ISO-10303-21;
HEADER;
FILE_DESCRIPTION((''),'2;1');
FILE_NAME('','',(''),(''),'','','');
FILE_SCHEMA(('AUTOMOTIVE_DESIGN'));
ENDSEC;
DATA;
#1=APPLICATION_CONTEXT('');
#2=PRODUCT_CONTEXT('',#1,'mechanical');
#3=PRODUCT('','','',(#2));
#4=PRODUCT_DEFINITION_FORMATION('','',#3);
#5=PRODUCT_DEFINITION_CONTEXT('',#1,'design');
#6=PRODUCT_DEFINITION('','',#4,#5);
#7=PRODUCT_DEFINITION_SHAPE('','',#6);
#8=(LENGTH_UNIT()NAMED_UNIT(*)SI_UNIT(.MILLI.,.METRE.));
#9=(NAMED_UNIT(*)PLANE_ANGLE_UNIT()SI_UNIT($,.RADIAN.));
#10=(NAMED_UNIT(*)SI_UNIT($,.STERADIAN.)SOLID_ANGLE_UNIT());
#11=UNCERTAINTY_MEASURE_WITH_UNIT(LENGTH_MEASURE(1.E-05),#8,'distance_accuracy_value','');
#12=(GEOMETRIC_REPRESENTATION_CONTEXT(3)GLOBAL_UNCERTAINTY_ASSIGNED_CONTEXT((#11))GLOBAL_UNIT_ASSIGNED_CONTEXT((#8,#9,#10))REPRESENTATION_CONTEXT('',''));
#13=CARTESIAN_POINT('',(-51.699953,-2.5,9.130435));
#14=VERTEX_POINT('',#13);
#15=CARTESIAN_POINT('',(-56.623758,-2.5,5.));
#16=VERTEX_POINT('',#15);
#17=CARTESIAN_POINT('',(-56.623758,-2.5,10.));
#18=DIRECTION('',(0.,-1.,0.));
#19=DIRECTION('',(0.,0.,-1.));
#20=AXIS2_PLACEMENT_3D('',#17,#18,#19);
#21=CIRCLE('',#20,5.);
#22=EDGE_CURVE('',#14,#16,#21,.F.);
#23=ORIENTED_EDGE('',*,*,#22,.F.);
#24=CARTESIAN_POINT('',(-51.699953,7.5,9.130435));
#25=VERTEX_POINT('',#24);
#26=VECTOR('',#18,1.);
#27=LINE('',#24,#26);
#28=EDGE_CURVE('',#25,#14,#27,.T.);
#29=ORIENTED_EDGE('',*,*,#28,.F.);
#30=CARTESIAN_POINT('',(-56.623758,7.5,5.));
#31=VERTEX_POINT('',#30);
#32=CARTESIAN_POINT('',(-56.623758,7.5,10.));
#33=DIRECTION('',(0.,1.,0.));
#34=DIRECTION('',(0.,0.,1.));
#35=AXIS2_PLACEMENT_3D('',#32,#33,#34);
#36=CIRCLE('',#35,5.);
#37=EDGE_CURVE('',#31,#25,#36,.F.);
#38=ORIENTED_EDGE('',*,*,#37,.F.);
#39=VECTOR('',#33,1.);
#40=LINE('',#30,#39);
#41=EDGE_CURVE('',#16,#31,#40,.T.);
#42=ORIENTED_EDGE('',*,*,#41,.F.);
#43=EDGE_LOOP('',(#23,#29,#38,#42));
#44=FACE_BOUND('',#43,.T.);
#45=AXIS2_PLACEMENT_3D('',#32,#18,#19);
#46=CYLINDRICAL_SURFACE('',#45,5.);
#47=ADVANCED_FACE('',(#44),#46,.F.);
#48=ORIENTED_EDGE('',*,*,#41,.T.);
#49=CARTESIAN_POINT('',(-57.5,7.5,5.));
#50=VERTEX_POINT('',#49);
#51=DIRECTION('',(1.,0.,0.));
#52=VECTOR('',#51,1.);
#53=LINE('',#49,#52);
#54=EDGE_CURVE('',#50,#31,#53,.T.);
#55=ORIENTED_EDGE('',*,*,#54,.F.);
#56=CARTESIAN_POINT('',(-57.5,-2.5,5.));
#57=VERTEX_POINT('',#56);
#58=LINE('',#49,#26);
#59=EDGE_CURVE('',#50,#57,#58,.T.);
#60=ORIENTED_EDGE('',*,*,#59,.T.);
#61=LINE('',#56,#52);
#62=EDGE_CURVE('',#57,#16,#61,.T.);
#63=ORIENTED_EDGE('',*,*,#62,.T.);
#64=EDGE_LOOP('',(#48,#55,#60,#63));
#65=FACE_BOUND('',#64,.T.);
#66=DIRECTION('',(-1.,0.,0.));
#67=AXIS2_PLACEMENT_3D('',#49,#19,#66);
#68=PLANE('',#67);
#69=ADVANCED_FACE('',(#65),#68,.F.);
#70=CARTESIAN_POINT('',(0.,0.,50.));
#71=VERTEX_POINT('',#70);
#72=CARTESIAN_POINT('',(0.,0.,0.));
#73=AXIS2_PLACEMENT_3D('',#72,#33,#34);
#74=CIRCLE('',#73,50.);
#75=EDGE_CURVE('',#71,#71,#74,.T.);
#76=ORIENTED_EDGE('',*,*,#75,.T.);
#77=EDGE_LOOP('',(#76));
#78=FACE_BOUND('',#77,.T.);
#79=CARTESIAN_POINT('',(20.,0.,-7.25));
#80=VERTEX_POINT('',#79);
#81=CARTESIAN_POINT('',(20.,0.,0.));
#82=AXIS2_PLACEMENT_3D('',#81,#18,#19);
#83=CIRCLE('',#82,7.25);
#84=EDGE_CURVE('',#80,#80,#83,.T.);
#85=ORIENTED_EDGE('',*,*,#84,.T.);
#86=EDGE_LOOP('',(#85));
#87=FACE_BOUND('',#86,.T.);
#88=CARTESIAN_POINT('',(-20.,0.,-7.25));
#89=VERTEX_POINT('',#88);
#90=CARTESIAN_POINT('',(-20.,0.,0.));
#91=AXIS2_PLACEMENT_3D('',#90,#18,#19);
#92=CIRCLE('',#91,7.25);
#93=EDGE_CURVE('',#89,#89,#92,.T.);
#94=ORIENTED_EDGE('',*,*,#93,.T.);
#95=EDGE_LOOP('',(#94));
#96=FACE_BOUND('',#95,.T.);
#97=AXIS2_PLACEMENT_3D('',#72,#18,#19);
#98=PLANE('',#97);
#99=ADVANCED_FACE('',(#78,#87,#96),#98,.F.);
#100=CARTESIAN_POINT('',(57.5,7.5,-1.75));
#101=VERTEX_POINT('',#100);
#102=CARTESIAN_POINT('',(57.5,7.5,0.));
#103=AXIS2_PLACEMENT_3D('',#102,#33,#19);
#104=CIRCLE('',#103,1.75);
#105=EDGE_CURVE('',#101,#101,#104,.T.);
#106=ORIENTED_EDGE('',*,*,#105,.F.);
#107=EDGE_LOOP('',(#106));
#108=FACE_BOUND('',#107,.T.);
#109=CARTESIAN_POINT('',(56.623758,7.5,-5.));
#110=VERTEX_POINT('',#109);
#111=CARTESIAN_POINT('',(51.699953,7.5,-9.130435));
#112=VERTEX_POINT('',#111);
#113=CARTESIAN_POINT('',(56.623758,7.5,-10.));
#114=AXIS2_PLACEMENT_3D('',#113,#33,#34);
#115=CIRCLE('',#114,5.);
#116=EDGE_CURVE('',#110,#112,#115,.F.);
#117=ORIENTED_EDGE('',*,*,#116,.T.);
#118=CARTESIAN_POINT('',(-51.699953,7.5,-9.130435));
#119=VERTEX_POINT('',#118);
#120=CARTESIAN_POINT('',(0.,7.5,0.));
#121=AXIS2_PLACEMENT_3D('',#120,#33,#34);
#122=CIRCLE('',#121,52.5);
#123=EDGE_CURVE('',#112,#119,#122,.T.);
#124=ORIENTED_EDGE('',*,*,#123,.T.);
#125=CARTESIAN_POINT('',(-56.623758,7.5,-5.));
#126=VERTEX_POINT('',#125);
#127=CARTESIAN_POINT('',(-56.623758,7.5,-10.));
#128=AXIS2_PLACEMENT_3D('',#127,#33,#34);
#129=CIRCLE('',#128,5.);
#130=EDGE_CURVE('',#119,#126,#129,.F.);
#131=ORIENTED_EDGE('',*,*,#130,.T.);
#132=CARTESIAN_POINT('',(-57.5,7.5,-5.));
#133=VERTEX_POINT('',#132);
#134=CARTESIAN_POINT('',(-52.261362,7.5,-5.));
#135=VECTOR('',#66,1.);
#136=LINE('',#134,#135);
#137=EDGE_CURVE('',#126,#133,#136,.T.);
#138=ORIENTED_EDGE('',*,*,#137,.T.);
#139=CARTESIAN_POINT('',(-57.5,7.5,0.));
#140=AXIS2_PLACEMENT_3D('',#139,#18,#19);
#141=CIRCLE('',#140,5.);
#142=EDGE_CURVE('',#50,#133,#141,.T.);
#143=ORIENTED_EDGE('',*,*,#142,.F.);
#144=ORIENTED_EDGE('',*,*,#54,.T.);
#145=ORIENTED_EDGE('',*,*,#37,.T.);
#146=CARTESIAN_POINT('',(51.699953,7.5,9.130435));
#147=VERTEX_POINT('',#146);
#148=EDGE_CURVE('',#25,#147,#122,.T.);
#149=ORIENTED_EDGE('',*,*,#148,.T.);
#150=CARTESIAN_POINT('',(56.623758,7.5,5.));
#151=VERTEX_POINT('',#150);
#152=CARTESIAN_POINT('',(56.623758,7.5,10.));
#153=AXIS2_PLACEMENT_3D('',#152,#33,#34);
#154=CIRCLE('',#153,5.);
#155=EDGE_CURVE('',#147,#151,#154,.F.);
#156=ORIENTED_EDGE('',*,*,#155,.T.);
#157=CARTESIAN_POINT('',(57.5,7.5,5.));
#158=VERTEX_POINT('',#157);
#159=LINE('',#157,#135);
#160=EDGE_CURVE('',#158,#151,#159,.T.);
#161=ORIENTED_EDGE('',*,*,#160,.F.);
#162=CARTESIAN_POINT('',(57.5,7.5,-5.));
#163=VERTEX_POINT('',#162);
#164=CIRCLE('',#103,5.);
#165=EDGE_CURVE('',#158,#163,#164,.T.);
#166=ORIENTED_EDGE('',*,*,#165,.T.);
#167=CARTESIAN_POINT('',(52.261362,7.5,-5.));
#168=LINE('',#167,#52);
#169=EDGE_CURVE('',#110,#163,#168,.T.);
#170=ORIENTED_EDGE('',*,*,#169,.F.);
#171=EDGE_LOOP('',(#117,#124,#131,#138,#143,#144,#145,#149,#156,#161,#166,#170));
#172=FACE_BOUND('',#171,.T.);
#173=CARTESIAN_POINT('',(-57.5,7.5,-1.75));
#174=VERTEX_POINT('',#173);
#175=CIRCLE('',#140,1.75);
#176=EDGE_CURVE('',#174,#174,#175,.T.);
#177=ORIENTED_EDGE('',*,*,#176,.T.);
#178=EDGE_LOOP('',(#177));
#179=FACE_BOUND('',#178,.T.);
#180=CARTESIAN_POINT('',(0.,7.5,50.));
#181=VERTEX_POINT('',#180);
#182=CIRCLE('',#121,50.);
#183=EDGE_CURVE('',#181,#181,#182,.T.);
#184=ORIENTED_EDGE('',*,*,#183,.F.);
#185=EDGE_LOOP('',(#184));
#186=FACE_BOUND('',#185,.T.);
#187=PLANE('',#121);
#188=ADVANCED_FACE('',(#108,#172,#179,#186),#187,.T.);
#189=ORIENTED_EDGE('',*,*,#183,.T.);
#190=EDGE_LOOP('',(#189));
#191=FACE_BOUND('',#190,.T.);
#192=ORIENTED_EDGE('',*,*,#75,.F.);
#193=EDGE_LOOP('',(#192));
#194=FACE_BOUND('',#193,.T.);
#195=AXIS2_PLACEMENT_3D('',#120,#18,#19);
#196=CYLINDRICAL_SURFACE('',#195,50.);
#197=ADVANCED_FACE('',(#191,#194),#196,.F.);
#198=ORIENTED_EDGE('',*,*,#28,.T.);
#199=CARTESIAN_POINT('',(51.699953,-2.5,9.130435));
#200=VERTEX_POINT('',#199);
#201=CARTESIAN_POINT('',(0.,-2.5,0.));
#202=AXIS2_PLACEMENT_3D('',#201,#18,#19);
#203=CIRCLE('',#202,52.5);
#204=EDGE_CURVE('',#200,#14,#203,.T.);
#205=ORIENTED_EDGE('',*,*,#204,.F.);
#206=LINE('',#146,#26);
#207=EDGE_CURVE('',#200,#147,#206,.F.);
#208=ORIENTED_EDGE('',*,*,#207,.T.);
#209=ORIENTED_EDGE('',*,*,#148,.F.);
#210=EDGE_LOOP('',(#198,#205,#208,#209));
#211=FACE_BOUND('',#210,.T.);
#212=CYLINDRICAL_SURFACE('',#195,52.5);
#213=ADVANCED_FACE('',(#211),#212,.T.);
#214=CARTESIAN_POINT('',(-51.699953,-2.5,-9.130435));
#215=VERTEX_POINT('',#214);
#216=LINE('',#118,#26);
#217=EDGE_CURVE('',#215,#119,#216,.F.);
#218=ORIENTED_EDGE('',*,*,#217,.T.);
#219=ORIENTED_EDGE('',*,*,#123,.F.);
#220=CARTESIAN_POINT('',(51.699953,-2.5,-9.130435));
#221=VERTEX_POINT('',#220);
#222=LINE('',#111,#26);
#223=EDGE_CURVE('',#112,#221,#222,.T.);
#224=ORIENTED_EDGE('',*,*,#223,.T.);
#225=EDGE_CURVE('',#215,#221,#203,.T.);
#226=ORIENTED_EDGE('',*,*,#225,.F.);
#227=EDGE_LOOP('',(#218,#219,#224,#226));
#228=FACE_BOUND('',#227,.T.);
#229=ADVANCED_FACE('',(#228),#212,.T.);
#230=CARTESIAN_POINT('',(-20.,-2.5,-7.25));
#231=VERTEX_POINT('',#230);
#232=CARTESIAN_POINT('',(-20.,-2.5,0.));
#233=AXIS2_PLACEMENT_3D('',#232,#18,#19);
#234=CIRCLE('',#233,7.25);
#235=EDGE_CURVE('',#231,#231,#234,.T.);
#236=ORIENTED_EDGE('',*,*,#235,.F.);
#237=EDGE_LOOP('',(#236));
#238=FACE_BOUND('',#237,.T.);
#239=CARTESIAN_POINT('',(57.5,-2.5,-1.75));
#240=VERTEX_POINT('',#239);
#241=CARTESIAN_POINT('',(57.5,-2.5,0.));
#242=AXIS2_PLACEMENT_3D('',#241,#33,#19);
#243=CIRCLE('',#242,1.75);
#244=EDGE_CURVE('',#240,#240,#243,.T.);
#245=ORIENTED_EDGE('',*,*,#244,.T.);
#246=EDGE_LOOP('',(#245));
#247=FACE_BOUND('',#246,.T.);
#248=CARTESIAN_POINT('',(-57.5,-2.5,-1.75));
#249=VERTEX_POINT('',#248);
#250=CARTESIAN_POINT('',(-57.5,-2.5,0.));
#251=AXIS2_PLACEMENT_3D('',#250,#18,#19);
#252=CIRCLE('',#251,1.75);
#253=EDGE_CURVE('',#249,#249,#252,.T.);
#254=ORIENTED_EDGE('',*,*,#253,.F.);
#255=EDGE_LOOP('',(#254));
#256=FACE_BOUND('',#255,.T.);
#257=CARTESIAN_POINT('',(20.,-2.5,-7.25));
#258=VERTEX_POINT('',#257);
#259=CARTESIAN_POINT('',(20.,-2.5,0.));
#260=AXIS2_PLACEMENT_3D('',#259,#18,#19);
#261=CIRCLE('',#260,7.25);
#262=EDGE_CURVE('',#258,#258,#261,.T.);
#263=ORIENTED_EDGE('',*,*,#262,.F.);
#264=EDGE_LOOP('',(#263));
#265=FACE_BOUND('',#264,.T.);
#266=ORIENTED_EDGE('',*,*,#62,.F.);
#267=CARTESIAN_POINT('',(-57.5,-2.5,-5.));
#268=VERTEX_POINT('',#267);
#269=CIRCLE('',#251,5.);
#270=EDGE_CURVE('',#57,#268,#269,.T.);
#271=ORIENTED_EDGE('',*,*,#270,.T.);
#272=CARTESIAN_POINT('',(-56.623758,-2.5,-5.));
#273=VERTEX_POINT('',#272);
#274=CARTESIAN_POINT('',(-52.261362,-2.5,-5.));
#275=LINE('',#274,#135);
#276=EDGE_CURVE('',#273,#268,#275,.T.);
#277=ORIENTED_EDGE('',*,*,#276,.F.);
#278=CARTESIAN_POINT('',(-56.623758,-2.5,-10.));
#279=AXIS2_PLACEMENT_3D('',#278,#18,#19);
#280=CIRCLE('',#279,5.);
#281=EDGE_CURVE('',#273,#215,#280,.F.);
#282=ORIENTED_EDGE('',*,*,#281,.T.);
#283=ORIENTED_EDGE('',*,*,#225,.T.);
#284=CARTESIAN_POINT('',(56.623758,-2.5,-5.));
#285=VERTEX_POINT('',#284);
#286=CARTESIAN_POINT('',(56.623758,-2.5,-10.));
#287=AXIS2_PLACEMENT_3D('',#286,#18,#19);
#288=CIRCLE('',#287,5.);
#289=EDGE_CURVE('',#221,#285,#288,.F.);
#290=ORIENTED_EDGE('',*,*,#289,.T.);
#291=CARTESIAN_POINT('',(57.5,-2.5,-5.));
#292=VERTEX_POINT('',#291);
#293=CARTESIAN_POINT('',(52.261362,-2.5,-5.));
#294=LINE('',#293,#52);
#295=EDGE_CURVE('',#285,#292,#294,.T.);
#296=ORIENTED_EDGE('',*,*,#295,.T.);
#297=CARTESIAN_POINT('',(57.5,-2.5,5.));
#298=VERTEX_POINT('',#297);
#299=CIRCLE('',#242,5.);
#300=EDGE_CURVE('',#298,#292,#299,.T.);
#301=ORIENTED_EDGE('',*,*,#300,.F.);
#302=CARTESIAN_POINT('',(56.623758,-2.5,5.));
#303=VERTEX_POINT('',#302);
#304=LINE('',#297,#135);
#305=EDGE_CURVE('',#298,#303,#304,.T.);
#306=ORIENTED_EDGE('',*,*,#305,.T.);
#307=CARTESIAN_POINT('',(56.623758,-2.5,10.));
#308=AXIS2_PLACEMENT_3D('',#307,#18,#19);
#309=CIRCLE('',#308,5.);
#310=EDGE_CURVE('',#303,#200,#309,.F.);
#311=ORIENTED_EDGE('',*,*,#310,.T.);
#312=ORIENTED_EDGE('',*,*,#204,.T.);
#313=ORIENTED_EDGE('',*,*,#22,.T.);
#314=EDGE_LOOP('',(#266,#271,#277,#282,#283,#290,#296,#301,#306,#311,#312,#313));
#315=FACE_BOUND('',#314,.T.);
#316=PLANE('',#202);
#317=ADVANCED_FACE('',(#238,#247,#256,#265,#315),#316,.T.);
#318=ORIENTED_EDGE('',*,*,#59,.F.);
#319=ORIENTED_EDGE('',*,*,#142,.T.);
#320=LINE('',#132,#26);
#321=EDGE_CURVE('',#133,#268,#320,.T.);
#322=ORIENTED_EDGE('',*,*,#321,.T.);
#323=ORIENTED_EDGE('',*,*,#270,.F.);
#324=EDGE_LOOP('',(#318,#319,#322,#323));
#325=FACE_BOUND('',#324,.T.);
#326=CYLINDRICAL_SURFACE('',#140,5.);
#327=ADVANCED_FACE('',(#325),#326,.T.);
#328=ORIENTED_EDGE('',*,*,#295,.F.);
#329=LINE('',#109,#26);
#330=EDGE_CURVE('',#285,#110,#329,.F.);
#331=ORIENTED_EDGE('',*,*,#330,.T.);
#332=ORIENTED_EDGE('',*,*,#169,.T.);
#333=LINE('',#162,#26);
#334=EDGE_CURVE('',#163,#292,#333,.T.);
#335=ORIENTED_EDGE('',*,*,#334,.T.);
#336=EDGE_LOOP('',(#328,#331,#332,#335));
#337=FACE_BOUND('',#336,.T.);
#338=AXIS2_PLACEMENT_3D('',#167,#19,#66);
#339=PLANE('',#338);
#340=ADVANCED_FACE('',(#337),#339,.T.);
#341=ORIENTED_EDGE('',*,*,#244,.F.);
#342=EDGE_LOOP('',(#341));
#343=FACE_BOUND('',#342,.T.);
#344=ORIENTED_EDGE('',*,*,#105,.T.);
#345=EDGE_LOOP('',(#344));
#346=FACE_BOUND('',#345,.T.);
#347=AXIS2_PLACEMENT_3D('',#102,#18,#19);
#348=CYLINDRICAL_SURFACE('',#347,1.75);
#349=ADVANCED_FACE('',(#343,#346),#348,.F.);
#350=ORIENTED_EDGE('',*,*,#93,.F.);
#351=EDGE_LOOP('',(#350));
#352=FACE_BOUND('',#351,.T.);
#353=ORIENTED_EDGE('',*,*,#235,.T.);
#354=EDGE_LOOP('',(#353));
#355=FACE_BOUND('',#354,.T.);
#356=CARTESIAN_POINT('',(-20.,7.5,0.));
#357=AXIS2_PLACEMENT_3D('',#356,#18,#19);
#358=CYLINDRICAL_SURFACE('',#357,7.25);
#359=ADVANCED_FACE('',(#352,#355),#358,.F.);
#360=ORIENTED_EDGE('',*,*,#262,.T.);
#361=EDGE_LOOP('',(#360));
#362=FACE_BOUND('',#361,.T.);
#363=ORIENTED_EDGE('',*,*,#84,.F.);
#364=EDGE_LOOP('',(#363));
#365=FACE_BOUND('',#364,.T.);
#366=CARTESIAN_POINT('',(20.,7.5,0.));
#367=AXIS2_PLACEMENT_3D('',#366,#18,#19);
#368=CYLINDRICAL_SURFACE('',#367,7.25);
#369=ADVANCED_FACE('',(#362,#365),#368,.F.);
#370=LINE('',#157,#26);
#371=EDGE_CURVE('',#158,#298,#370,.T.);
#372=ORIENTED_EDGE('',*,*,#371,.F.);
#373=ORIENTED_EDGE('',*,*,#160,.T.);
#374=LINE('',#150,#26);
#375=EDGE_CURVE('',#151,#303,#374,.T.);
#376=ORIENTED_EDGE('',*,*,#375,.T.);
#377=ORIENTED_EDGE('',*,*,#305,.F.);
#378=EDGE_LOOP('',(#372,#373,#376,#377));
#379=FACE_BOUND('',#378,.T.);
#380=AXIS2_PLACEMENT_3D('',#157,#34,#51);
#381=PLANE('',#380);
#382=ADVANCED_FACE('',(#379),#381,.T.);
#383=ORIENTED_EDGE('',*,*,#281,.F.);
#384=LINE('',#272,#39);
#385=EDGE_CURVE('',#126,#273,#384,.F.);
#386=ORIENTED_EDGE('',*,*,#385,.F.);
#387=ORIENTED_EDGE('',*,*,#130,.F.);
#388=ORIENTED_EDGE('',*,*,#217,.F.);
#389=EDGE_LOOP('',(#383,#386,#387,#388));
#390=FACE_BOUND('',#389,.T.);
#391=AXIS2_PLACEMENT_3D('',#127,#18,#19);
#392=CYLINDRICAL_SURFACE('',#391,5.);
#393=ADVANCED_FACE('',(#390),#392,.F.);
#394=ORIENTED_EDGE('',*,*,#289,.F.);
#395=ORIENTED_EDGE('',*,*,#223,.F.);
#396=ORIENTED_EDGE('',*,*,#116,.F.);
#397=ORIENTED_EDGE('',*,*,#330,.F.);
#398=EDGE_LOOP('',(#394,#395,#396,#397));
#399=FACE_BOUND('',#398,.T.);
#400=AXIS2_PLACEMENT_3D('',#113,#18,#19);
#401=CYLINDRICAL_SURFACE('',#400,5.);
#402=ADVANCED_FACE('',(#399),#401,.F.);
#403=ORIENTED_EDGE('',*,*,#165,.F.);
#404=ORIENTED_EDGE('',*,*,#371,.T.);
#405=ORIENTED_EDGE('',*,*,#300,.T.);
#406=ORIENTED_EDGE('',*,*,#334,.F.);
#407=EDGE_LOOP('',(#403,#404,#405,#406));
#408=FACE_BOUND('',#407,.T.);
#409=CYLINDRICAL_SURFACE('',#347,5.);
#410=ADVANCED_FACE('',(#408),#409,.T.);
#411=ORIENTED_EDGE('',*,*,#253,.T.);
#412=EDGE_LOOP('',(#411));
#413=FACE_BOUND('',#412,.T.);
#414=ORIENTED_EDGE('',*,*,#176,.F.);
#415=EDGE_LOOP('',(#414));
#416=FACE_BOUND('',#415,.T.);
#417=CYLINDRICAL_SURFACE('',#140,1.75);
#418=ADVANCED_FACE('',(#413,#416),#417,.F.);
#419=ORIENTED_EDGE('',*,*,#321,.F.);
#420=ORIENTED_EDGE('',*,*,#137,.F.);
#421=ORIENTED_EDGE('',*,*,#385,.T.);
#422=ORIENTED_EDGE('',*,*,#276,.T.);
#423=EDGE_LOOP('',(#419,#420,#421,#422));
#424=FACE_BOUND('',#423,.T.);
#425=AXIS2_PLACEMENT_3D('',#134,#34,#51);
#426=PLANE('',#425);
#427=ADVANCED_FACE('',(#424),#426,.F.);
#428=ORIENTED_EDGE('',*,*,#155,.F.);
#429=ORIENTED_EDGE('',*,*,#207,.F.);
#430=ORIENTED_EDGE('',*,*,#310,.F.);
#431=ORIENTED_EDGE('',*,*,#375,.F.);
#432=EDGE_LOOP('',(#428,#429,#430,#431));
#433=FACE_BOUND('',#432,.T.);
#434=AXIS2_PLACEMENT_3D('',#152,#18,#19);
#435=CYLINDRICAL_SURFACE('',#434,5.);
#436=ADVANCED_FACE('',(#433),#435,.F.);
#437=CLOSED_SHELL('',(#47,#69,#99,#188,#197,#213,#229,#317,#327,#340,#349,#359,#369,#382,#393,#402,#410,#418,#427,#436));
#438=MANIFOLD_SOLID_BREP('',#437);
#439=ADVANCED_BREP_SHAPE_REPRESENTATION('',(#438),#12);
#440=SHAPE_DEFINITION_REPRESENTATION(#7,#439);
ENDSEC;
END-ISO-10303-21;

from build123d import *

# Parameters (mm, degrees)
SKETCH1_R           = 52.5
SKETCH1_R_2         = 50
BOSS_EXTRUDE1_DEPTH = 7.5
BOSS_EXTRUDE2_START = 2.5
SKETCH2_R           = 52.5
BOSS_EXTRUDE2_DEPTH = 2.5
SKETCH3_R           = 7.25
CUT_EXTRUDE1_DEPTH  = 75.916620319
SKETCH4_R           = 1.75
BOSS_EXTRUDE3_DEPTH = 10
FILLET1_R           = 5


with BuildPart() as part:
    # Sketch1 → Boss-Extrude1 (new body)
    with BuildSketch(Plane(origin=(0, 0, 0), x_dir=(1, 0, 0), z_dir=(0, 1, 0))):
        with Locations(Location((0, 0, 0), (0, 0, 270))):
            Circle(SKETCH1_R)
        with Locations(Location((0, 0, 0), (0, 0, 270))):
            Circle(SKETCH1_R_2, mode=Mode.SUBTRACT)
    extrude(amount=BOSS_EXTRUDE1_DEPTH)

    # Sketch2 → Boss-Extrude2 (add)
    with BuildSketch(Plane.XZ.offset(BOSS_EXTRUDE2_START)):
        with Locations(Location((0, 0, 0), (0, 0, 270))):
            Circle(SKETCH2_R)
    extrude(amount=-BOSS_EXTRUDE2_DEPTH)

    # Sketch3 → Cut-Extrude1 (cut, through all)
    with BuildSketch(Plane.XZ.offset(2.5)):
        with Locations(Location((20, 0, 0), (0, 0, 270))):
            Circle(SKETCH3_R)
        with Locations(Location((-20, 0, 0), (0, 0, 270))):
            Circle(SKETCH3_R)
    extrude(amount=-CUT_EXTRUDE1_DEPTH, mode=Mode.SUBTRACT)

    # Sketch4 → Boss-Extrude3 (add)
    with BuildSketch(Plane.XZ.offset(2.5)):
        with BuildLine():
            Line((-57.5, 5), (-52.261362401, 5))
            Line((-52.261362401, 5), (-51.658599185, 0))
            Line((-51.658599185, 0), (-52.261362401, -5))
            Line((-52.261362401, -5), (-57.5, -5))
            ThreePointArc((-57.5, -5), (-62.5, 0), (-57.5, 5))
        make_face()
        with Locations(Location((-57.5, 0, 0), (0, 0, 270))):
            Circle(SKETCH4_R, mode=Mode.SUBTRACT)
    boss_extrude3 = extrude(amount=-BOSS_EXTRUDE3_DEPTH)

    # Mirror1: Boss-Extrude3 across plane
    add(boss_extrude3.mirror(Plane(origin=(0, 0, 0), x_dir=(0, 0, 1), z_dir=(1, 0, 0))))

    # Fillet1
    fillet1_edges = [part.edges().sort_by_distance(p)[0] for p in [
        (-52.261362401, 2.5, 5),
        (-52.261362401, 2.5, -5),
        (52.261362401, 2.5, 5),
        (52.261362401, 2.5, -5),
    ]]
    fillet(fillet1_edges, radius=FILLET1_R)


solid = part.part
